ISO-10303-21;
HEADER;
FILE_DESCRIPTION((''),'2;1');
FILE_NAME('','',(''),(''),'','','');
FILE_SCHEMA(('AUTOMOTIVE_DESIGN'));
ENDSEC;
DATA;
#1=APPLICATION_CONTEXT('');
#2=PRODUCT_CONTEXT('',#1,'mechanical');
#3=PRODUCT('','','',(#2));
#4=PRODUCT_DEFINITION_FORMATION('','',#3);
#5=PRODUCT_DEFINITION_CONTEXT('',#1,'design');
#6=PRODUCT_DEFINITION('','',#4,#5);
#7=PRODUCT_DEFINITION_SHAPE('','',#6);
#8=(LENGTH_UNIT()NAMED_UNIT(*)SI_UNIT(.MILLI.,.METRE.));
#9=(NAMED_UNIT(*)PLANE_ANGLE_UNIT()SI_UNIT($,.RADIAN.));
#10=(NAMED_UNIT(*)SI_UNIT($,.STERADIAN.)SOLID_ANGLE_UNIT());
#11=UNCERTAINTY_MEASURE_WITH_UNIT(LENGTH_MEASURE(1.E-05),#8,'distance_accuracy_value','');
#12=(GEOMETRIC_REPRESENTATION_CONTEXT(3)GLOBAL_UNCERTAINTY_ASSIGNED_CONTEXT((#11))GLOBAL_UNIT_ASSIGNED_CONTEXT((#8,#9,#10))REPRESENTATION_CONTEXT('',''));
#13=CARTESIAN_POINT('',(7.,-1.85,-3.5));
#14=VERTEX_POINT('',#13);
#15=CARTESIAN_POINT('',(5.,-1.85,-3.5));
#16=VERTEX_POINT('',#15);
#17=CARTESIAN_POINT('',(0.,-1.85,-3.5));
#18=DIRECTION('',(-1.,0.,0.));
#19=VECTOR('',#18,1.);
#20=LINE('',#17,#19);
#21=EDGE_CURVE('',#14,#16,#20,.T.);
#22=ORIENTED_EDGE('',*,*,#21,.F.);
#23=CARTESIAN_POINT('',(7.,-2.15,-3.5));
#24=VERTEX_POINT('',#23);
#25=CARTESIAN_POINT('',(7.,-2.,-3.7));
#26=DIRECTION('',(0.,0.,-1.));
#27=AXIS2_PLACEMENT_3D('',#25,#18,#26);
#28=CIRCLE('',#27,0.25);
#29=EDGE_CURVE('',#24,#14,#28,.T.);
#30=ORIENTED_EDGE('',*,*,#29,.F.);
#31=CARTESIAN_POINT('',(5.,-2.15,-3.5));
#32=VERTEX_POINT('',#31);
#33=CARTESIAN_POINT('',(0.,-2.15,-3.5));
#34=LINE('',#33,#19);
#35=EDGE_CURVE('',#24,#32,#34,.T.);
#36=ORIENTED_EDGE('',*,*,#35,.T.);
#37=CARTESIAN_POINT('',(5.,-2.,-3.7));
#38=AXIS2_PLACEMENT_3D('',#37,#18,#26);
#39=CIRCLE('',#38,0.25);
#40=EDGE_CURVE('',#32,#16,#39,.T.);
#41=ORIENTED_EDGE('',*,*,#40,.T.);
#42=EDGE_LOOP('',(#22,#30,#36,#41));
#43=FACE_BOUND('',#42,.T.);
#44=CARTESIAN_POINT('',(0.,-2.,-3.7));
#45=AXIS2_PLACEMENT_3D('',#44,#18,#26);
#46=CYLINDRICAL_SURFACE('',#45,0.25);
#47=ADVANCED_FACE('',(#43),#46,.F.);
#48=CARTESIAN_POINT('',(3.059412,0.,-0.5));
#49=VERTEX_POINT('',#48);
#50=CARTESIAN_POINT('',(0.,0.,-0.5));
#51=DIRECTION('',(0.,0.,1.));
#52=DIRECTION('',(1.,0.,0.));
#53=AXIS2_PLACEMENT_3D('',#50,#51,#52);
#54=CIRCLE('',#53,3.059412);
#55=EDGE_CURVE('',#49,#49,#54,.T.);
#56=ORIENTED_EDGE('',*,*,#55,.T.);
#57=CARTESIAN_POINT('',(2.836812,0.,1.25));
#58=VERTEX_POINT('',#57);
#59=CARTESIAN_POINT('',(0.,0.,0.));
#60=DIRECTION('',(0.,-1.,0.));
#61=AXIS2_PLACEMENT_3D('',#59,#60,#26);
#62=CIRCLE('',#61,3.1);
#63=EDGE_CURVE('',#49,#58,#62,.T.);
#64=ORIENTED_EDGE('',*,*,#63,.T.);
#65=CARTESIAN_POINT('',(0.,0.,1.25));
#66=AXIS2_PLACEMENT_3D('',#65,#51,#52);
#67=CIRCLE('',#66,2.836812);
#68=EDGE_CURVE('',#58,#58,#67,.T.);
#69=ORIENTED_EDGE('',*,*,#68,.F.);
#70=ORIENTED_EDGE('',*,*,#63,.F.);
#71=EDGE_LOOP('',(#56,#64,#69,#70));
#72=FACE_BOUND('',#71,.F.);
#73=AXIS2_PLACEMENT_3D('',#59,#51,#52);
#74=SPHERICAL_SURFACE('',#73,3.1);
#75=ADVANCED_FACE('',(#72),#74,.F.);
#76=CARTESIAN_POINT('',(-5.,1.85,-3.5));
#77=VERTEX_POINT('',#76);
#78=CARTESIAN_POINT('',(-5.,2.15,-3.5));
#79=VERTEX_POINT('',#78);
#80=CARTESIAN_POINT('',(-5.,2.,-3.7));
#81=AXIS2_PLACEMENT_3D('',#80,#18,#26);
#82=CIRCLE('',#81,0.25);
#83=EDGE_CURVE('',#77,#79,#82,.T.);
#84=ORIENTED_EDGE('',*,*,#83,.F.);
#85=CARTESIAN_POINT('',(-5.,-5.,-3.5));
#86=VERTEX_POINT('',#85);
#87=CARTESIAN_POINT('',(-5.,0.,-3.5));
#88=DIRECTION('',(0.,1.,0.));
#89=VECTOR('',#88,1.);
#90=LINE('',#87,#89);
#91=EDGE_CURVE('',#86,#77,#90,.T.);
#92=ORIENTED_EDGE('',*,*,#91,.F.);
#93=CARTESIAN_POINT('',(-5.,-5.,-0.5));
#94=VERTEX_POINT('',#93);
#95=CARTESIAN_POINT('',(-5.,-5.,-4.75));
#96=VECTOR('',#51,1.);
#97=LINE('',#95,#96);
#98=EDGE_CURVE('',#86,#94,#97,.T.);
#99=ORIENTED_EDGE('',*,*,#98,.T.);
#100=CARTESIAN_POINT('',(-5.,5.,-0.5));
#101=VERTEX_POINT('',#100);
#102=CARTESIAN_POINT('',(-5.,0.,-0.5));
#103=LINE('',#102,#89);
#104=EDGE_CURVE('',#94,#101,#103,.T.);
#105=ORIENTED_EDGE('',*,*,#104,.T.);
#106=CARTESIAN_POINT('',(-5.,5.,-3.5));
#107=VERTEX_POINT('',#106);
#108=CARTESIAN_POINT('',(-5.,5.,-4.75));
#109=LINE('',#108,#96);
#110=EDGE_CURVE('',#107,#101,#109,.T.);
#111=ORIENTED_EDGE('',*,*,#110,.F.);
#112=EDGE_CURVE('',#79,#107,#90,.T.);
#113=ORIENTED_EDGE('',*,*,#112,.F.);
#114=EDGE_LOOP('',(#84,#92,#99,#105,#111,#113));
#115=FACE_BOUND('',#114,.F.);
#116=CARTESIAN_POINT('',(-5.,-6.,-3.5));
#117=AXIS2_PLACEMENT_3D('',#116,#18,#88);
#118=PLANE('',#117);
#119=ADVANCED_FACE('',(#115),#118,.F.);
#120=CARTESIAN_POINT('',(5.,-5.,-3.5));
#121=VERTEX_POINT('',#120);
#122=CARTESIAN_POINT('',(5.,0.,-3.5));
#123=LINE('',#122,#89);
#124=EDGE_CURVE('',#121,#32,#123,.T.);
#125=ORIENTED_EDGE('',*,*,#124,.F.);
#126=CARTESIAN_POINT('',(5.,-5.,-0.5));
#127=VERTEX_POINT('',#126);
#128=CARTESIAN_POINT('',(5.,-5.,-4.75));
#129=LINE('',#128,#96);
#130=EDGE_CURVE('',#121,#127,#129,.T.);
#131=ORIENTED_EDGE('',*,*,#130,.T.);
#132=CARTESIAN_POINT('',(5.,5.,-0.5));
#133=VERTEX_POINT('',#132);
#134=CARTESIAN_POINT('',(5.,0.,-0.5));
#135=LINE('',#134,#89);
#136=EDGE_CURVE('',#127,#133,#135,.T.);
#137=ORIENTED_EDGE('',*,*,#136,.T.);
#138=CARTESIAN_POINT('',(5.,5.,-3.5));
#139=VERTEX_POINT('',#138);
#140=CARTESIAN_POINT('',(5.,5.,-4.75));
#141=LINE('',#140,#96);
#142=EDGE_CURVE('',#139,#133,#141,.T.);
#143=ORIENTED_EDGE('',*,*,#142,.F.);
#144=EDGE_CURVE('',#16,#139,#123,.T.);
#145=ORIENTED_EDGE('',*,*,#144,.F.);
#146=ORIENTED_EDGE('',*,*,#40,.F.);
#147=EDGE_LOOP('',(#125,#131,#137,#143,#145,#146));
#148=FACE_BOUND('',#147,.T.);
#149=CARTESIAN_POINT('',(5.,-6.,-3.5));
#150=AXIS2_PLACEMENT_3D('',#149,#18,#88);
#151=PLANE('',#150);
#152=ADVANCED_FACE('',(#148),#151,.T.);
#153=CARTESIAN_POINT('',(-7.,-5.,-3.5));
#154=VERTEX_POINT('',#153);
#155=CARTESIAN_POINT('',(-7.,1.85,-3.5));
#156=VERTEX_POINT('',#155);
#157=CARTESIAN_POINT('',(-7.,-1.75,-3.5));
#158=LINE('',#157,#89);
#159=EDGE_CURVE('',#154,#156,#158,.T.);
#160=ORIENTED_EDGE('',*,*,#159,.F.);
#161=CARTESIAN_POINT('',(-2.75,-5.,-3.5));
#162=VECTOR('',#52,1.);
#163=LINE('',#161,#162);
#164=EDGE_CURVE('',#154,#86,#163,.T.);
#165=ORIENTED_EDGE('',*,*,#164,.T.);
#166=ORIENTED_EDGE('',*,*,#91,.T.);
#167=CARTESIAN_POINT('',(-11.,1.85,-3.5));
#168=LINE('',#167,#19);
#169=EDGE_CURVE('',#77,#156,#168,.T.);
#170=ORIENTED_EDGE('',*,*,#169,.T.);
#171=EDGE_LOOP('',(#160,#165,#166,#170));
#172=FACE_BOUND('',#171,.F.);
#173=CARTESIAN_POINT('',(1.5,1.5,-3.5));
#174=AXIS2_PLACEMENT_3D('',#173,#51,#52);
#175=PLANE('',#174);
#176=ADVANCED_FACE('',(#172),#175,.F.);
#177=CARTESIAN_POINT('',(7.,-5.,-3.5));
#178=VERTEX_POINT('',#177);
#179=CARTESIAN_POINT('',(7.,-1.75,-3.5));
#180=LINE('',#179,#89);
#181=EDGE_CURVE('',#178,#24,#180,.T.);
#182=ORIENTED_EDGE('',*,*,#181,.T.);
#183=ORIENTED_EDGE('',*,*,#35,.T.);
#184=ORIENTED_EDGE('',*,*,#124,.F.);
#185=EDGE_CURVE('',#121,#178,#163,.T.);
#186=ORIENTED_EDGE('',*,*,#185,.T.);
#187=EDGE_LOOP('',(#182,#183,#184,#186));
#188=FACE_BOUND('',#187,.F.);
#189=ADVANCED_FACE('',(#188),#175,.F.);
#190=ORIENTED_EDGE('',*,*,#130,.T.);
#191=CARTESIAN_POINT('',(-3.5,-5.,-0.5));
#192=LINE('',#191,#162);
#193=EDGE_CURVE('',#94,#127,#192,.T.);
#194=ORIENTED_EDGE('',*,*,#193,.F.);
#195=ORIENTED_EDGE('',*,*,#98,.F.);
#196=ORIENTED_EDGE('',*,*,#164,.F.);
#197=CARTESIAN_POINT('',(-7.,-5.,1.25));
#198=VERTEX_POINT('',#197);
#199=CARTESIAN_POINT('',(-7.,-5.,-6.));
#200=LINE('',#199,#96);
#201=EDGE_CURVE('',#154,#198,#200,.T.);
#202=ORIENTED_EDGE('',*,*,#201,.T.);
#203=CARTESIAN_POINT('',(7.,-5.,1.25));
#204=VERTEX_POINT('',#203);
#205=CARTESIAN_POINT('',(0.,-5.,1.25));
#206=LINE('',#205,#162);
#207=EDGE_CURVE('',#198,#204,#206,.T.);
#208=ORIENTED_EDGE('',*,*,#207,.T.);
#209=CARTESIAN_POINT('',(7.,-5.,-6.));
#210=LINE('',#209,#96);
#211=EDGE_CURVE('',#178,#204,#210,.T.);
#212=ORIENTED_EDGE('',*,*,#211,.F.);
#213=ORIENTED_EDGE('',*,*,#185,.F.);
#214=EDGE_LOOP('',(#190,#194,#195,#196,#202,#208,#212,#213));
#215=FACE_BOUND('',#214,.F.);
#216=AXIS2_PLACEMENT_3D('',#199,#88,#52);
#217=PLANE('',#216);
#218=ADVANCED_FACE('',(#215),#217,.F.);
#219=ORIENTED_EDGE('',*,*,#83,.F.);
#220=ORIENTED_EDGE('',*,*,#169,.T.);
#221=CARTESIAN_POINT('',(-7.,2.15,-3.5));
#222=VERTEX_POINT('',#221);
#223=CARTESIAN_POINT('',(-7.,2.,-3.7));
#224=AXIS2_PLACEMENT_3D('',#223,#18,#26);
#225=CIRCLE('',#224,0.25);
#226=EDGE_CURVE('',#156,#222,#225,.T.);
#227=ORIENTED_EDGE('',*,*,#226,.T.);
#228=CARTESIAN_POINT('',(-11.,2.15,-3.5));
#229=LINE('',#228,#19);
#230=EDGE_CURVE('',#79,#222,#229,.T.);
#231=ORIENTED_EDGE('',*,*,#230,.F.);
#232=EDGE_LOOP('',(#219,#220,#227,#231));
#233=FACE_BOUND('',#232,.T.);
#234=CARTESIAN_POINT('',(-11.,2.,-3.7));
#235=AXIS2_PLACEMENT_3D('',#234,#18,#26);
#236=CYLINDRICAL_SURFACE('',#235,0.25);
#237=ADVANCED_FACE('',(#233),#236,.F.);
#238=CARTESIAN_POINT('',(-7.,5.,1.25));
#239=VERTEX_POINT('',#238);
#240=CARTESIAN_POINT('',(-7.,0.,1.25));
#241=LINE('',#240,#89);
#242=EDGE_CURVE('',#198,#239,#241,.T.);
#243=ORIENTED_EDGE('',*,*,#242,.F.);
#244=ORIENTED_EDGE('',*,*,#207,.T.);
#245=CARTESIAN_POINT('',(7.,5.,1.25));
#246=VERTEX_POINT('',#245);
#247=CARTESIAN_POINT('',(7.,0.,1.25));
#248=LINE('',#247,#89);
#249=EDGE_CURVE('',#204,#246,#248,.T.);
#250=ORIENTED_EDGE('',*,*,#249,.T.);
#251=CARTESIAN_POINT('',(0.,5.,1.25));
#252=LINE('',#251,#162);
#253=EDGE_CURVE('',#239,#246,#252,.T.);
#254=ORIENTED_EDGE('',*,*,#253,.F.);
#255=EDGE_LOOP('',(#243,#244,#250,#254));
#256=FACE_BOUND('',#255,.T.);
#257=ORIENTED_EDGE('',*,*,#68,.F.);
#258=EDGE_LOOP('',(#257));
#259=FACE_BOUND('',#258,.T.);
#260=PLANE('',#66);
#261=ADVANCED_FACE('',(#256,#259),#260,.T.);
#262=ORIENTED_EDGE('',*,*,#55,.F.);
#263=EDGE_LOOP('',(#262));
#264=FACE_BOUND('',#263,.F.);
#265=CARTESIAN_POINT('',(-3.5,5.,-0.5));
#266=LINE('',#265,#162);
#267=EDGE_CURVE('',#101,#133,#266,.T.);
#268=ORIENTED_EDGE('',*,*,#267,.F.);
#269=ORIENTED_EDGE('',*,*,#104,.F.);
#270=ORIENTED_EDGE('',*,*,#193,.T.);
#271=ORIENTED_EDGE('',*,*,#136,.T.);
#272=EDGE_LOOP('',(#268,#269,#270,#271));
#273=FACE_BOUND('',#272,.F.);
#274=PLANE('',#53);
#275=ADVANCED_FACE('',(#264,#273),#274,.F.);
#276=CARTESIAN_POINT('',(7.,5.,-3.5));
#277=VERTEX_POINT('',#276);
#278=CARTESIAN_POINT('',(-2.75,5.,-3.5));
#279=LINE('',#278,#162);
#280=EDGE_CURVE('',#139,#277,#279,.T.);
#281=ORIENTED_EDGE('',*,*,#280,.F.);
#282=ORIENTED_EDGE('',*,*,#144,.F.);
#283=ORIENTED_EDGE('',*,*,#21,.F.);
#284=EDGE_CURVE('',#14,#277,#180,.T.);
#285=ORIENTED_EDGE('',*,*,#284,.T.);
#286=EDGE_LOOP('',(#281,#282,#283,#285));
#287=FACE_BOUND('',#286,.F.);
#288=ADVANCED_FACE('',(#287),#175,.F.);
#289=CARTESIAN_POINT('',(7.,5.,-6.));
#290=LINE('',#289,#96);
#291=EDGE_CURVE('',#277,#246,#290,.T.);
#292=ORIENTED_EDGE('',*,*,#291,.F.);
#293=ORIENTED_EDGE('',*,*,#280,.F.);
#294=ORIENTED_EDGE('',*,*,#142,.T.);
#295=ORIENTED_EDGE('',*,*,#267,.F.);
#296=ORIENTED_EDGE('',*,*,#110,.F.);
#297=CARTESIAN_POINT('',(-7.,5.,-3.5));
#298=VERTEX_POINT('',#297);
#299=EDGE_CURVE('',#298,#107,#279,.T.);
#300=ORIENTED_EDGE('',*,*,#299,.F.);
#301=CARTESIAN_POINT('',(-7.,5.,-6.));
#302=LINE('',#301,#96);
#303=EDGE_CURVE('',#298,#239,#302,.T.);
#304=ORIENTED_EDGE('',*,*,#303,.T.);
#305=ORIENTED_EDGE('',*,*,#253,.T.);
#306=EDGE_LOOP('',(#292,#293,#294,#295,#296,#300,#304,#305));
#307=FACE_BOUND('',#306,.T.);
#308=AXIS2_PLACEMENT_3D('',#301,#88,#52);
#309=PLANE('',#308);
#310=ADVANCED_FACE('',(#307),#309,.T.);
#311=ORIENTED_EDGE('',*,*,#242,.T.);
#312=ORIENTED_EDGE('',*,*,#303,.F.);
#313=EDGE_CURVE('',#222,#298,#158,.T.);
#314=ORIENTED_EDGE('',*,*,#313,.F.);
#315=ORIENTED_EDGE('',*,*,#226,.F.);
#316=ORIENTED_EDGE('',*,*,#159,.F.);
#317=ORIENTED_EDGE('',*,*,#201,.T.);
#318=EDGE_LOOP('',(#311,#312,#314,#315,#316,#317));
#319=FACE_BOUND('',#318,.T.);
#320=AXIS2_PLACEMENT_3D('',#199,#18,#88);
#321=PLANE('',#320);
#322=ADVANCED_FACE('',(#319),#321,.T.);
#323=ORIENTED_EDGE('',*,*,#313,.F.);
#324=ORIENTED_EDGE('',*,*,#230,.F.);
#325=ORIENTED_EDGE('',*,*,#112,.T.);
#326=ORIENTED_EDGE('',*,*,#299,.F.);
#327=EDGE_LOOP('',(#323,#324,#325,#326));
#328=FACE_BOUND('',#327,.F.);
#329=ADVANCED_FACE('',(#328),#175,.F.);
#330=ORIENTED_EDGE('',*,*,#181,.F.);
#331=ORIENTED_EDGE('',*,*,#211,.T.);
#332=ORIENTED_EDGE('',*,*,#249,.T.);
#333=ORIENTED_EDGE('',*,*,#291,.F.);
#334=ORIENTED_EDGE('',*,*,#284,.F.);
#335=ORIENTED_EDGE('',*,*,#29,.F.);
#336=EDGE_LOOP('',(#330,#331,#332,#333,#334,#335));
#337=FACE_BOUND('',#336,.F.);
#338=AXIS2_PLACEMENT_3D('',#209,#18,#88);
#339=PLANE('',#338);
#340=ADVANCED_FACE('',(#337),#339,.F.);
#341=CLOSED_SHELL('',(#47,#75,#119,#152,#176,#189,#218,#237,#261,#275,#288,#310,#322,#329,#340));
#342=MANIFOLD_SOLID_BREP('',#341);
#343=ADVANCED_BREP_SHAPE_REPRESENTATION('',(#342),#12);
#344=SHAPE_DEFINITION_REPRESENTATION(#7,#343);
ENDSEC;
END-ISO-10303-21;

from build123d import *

# Parameters (mm, degrees)
BOX006_W                = 21
BOX006_H                = 17
BOX006_DEPTH            = 12
CYLINDER005_R           = 2.5
CYLINDER005_DEPTH       = 10
CYLINDER004_R           = 0.25
CYLINDER004_DEPTH       = 10
CYLINDER004_PITCH_ANGLE = 90
CYLINDER003_R           = 0.25
CYLINDER003_DEPTH       = 10
CYLINDER003_PITCH_ANGLE = 90
BOX002_W                = 6.5
BOX002_H                = 4.8
BOX002_DEPTH            = 1
BOX003_W                = 10
BOX003_H                = 12
BOX003_DEPTH            = 3
BOX001_W                = 14
BOX001_H                = 10
BOX001_DEPTH            = 7.25


with BuildPart() as cube006:
    # Box006 → Box006 (new body)
    with BuildSketch(Plane(origin=(-9, -7, -3.5), x_dir=(1, 0, 0), z_dir=(0, 0, 1))):
        with Locations((10.5, 8.5)):
            Rectangle(BOX006_W, BOX006_H)
    extrude(amount=BOX006_DEPTH)


with BuildPart() as cylinder005:
    # Cylinder005 → Cylinder005 (new body)
    with BuildSketch(Plane.XY.offset(0.5)):
        Circle(CYLINDER005_R)
    extrude(amount=CYLINDER005_DEPTH)


with BuildPart() as fusion004:
    # Sphere001 → Sphere001 (revolve)
    with BuildSketch(Plane.XZ):
        with BuildLine():
            ThreePointArc((0, -3.1), (3.1, 0), (0, 3.1))
            Line((0, 3.1), (0, -3.1))
        make_face()
    revolve(axis=Axis((0, 0, 0), (0, 0, 1)))

    # Fusion004: union Cylinder005
    add(cylinder005.part)


with BuildPart() as cylinder004:
    # Cylinder004 → Cylinder004 (new body)
    with BuildSketch(Plane.XY):
        Circle(CYLINDER004_R)
    extrude(amount=CYLINDER004_DEPTH)


with BuildPart() as cylinder004_1:
    # Cylinder004 pitch: moved
    add(cylinder004.part.rotate(Axis((0, 0, 0), (0, 1, 0)), CYLINDER004_PITCH_ANGLE))


with BuildPart() as cylinder004_2:
    # Cylinder004 placement: moved
    add(cylinder004_1.part.moved(Location((0, -2, -3.7))))


with BuildPart() as fusion:
    # Cylinder003 → Cylinder003 (new body)
    with BuildSketch(Plane.XY):
        Circle(CYLINDER003_R)
    extrude(amount=CYLINDER003_DEPTH)


with BuildPart() as fusion_1:
    # Cylinder003 pitch: moved
    add(fusion.part.rotate(Axis((0, 0, 0), (0, 1, 0)), CYLINDER003_PITCH_ANGLE))


with BuildPart() as fusion_2:
    # Cylinder003 placement: moved
    add(fusion_1.part.moved(Location((-11, 2, -3.7))))

    # Fusion: union Cylinder004
    add(cylinder004_2.part)


with BuildPart() as fusion001:
    # Box002 → Box002 (new body)
    with BuildSketch(Plane(origin=(-3.25, -2.4, -4.2), x_dir=(1, 0, 0), z_dir=(0, 0, 1))):
        with Locations((3.25, 2.4)):
            Rectangle(BOX002_W, BOX002_H)
    extrude(amount=BOX002_DEPTH)

    # Fusion001: union Fusion
    add(fusion_2.part)


with BuildPart() as cube003:
    # Box003 → Box003 (new body)
    with BuildSketch(Plane(origin=(-5, -6, -3.5), x_dir=(1, 0, 0), z_dir=(0, 0, 1))):
        with Locations((5, 6)):
            Rectangle(BOX003_W, BOX003_H)
    extrude(amount=BOX003_DEPTH)


with BuildPart() as ball_and_screw_holder:
    # Box001 → Box001 (new body)
    with BuildSketch(Plane(origin=(-7, -5, -6), x_dir=(1, 0, 0), z_dir=(0, 0, 1))):
        with Locations((7, 5)):
            Rectangle(BOX001_W, BOX001_H)
    extrude(amount=BOX001_DEPTH)

    # Cut: cut Cube003
    add(cube003.part, mode=Mode.SUBTRACT)

    # Cut001: cut Fusion001
    add(fusion001.part, mode=Mode.SUBTRACT)

    # Cut002: cut Fusion004
    add(fusion004.part, mode=Mode.SUBTRACT)

    # Common: intersect Cube006
    add(cube006.part, mode=Mode.INTERSECT)


solid = ball_and_screw_holder.part
